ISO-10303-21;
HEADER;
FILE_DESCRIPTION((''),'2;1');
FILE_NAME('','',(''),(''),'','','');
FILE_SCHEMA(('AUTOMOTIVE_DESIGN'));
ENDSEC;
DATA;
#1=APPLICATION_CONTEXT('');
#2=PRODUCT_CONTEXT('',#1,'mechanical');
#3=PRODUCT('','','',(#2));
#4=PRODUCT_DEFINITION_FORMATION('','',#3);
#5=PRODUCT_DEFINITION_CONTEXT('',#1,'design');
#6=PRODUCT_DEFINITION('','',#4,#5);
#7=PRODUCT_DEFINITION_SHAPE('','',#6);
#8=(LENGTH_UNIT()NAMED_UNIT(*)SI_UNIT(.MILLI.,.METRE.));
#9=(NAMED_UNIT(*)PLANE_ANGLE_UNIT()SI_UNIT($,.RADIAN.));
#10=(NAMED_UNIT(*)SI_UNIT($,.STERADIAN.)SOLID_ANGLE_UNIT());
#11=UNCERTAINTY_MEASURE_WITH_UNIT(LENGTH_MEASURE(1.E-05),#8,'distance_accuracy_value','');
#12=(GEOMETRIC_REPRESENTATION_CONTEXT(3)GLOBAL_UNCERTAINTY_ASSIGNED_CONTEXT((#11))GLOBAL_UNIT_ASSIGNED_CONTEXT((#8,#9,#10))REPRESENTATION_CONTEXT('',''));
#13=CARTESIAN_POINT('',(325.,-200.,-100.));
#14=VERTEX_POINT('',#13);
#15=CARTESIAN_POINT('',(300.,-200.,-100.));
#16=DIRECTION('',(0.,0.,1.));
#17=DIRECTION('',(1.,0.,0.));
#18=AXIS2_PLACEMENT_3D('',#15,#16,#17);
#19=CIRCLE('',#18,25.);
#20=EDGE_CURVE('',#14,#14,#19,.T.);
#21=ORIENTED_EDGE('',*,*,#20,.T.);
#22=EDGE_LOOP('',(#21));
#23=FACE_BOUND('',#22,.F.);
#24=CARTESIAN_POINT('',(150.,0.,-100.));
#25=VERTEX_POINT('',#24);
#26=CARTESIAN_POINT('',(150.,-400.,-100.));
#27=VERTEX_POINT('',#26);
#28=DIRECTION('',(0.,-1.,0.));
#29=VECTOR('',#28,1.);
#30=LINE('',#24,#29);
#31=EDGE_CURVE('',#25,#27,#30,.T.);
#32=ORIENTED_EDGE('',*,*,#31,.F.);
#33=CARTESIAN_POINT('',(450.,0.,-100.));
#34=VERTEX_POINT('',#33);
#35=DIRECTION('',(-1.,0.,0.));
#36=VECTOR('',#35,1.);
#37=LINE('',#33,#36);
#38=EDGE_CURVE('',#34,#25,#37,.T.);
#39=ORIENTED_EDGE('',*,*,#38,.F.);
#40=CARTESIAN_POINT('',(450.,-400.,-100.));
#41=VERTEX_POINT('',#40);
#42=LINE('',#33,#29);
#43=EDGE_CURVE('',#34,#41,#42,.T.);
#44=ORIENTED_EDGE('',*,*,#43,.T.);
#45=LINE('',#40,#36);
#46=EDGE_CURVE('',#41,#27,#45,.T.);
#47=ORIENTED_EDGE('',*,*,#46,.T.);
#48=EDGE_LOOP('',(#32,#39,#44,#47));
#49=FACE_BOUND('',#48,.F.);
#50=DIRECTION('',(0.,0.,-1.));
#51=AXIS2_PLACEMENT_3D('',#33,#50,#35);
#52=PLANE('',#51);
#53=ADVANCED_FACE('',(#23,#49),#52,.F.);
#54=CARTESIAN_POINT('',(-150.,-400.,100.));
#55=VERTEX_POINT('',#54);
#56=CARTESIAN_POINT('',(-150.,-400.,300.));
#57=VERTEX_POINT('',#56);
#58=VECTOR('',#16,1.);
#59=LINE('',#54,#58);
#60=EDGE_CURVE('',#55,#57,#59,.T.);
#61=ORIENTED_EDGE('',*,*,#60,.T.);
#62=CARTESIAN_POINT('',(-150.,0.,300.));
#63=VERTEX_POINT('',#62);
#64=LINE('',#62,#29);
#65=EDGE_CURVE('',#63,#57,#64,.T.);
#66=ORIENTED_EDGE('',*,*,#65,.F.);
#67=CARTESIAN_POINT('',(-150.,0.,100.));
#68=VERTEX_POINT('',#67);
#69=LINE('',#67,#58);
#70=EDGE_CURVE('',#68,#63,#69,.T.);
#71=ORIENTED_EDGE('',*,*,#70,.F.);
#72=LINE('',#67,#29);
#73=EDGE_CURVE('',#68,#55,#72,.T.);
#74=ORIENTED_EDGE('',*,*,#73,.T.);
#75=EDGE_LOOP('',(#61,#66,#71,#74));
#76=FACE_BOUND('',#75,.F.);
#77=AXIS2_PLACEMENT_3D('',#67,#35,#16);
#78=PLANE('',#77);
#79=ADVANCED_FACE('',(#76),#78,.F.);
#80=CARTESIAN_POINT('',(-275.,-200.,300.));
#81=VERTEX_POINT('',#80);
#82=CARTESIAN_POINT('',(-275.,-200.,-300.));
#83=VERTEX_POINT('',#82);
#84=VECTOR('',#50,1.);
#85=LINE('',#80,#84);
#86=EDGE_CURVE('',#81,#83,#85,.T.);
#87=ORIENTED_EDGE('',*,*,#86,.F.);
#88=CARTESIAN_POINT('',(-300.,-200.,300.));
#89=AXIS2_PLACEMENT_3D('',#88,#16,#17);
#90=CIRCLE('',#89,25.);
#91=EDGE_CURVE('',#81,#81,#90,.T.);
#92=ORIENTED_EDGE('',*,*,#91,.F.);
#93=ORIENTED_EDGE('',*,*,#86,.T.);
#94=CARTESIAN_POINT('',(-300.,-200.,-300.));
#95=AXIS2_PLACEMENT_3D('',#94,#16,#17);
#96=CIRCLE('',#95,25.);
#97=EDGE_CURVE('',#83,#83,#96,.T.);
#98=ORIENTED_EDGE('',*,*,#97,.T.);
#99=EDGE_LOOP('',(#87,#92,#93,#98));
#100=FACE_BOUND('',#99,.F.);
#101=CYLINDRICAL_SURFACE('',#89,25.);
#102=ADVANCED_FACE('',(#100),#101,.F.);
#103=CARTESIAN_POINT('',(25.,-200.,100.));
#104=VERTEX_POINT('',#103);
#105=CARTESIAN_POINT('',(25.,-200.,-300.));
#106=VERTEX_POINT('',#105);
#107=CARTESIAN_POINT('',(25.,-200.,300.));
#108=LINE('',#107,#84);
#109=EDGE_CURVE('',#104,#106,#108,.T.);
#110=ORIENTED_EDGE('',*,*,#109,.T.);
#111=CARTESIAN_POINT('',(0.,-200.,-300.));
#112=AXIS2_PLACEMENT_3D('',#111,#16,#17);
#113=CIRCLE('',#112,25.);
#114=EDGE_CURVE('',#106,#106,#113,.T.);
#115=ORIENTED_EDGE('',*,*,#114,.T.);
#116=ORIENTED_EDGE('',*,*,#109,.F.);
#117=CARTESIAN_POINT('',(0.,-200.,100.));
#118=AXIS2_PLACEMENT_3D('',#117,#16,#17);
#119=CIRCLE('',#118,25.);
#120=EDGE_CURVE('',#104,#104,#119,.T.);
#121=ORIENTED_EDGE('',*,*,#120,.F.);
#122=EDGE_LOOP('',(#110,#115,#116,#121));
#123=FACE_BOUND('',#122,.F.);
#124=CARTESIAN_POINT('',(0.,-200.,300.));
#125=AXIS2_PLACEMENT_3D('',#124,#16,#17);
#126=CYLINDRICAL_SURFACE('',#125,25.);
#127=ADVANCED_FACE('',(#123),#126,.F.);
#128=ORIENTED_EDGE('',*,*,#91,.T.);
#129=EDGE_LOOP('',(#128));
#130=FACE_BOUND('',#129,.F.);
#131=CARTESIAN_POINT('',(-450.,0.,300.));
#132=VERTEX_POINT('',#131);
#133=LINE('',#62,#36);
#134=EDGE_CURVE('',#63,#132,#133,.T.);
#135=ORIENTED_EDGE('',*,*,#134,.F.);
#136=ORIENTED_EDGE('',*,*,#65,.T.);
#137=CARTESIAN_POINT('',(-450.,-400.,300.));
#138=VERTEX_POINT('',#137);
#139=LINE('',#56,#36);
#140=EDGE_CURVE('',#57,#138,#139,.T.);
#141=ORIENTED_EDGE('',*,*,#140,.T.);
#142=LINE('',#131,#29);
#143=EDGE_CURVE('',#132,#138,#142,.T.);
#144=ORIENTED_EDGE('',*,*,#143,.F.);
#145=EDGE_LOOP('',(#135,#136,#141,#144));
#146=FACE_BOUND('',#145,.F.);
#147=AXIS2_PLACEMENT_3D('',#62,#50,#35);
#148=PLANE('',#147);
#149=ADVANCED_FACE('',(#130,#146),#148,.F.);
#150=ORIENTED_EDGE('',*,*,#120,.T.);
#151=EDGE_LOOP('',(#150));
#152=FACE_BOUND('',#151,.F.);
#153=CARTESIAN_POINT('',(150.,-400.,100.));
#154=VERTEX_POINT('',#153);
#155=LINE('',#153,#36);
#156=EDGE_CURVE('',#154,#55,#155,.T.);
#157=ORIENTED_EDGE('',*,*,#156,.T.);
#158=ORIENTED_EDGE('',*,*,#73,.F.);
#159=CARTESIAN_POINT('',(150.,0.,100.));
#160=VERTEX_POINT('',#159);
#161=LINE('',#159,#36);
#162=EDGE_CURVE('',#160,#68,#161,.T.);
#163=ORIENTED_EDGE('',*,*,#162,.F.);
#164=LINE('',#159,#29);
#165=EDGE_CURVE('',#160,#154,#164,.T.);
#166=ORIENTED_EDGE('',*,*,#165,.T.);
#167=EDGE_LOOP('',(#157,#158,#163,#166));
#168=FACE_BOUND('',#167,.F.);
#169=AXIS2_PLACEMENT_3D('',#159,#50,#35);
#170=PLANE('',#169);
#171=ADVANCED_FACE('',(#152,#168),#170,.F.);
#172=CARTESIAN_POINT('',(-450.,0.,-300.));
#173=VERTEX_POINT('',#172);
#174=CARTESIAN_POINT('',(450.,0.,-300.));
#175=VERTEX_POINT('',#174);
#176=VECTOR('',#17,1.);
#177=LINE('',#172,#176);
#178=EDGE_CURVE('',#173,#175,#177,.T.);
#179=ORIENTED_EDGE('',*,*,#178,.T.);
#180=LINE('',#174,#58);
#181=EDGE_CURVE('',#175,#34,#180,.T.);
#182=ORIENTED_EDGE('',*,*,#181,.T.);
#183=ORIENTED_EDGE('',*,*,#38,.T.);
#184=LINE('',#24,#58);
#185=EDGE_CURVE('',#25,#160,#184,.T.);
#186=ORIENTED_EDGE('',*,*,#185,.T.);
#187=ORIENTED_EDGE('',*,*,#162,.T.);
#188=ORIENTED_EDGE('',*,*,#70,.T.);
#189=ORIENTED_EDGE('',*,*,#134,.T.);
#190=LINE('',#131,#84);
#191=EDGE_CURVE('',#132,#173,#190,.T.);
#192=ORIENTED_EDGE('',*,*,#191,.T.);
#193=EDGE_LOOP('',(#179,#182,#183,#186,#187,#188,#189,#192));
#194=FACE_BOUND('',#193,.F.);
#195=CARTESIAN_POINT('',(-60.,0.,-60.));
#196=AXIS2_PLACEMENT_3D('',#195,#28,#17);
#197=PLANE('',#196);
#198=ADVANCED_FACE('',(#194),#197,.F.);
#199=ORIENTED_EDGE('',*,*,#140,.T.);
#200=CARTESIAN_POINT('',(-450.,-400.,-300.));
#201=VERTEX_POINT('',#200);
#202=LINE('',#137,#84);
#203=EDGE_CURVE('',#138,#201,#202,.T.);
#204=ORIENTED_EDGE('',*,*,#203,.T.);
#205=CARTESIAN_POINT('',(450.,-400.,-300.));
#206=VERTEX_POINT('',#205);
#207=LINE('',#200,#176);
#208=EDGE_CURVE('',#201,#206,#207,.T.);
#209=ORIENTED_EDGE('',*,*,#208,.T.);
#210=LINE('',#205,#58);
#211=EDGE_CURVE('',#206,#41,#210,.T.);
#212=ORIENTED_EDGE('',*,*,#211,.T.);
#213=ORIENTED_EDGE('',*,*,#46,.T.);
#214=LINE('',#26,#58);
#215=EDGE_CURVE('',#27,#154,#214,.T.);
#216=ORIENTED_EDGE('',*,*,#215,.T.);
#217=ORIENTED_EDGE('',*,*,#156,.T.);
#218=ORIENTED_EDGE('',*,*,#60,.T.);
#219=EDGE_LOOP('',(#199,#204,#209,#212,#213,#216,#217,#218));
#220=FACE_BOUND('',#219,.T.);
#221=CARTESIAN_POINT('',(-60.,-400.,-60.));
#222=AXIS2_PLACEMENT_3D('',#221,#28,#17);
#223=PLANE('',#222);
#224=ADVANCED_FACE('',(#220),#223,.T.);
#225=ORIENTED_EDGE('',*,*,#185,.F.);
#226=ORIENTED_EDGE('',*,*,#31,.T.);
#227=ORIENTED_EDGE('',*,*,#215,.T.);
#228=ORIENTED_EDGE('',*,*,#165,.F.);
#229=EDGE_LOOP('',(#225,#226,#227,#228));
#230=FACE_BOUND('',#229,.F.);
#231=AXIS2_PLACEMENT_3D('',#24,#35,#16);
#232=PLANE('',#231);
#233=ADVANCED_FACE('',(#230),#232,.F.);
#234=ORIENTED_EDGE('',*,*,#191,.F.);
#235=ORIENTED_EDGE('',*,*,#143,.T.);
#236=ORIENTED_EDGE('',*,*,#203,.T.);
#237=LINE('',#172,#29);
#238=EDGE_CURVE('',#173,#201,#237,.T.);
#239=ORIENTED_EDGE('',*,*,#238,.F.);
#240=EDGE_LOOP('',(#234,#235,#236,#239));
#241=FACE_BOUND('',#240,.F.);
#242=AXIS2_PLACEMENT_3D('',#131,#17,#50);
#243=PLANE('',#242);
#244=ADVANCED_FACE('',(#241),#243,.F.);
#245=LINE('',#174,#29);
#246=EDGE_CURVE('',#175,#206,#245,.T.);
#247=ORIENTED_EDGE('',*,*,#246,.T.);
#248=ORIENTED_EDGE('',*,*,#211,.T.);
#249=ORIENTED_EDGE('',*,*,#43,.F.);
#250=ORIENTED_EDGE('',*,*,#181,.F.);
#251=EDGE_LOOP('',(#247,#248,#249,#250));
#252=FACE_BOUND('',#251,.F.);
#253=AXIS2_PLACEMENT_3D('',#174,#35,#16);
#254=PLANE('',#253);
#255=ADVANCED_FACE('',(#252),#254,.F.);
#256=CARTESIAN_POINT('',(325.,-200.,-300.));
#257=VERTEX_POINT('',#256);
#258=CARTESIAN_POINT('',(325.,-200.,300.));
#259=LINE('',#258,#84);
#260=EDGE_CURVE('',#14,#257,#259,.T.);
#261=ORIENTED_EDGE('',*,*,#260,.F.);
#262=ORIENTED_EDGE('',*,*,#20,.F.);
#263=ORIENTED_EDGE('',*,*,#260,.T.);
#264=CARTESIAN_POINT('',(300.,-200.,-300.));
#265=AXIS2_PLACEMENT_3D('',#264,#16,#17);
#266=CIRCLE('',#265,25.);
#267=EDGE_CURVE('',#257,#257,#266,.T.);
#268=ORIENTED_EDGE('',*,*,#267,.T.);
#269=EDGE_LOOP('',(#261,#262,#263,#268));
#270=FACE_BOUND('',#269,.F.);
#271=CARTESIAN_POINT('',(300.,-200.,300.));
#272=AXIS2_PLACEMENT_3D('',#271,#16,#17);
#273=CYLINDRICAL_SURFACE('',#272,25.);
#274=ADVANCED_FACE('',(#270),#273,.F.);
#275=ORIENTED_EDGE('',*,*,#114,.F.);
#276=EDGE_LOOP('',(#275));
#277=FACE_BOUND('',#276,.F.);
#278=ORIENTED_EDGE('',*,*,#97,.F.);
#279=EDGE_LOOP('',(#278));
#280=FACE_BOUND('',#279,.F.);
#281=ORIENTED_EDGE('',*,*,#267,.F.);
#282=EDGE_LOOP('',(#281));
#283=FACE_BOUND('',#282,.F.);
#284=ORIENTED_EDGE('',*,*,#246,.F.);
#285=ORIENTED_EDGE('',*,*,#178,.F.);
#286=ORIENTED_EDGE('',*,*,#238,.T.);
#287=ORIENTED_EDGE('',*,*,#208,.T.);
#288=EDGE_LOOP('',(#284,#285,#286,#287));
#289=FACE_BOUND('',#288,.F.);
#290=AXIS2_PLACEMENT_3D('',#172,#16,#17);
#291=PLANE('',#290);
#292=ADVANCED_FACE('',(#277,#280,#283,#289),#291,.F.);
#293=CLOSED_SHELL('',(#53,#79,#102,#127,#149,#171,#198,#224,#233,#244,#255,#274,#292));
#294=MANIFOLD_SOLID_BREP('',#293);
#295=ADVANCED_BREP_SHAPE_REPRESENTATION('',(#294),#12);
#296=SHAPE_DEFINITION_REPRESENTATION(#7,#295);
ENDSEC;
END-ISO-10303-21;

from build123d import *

# Parameters (mm, degrees)
F1_DEPTH = 400
F2_R     = 25
F3_DEPTH = 600.001


with BuildPart() as f1:
    # F0 (on Front) → F1 (new body)
    with BuildSketch(Plane.XZ):
        Polygon((-150, 300), (-450, 300), (-450, -300), (450, -300), (450, -100), (150, -100), (150, 100), (-150, 100), align=None)
    extrude(amount=F1_DEPTH)

    # F2 (on face) → F3 (cut, through all)
    with BuildSketch(Plane.XY.offset(300)):
        with Locations((-300, -200)):
            Circle(F2_R)
        with Locations((0, -200)):
            Circle(F2_R)
        with Locations((300, -200)):
            Circle(F2_R)
    extrude(amount=-F3_DEPTH, mode=Mode.SUBTRACT)


solid = f1.part
